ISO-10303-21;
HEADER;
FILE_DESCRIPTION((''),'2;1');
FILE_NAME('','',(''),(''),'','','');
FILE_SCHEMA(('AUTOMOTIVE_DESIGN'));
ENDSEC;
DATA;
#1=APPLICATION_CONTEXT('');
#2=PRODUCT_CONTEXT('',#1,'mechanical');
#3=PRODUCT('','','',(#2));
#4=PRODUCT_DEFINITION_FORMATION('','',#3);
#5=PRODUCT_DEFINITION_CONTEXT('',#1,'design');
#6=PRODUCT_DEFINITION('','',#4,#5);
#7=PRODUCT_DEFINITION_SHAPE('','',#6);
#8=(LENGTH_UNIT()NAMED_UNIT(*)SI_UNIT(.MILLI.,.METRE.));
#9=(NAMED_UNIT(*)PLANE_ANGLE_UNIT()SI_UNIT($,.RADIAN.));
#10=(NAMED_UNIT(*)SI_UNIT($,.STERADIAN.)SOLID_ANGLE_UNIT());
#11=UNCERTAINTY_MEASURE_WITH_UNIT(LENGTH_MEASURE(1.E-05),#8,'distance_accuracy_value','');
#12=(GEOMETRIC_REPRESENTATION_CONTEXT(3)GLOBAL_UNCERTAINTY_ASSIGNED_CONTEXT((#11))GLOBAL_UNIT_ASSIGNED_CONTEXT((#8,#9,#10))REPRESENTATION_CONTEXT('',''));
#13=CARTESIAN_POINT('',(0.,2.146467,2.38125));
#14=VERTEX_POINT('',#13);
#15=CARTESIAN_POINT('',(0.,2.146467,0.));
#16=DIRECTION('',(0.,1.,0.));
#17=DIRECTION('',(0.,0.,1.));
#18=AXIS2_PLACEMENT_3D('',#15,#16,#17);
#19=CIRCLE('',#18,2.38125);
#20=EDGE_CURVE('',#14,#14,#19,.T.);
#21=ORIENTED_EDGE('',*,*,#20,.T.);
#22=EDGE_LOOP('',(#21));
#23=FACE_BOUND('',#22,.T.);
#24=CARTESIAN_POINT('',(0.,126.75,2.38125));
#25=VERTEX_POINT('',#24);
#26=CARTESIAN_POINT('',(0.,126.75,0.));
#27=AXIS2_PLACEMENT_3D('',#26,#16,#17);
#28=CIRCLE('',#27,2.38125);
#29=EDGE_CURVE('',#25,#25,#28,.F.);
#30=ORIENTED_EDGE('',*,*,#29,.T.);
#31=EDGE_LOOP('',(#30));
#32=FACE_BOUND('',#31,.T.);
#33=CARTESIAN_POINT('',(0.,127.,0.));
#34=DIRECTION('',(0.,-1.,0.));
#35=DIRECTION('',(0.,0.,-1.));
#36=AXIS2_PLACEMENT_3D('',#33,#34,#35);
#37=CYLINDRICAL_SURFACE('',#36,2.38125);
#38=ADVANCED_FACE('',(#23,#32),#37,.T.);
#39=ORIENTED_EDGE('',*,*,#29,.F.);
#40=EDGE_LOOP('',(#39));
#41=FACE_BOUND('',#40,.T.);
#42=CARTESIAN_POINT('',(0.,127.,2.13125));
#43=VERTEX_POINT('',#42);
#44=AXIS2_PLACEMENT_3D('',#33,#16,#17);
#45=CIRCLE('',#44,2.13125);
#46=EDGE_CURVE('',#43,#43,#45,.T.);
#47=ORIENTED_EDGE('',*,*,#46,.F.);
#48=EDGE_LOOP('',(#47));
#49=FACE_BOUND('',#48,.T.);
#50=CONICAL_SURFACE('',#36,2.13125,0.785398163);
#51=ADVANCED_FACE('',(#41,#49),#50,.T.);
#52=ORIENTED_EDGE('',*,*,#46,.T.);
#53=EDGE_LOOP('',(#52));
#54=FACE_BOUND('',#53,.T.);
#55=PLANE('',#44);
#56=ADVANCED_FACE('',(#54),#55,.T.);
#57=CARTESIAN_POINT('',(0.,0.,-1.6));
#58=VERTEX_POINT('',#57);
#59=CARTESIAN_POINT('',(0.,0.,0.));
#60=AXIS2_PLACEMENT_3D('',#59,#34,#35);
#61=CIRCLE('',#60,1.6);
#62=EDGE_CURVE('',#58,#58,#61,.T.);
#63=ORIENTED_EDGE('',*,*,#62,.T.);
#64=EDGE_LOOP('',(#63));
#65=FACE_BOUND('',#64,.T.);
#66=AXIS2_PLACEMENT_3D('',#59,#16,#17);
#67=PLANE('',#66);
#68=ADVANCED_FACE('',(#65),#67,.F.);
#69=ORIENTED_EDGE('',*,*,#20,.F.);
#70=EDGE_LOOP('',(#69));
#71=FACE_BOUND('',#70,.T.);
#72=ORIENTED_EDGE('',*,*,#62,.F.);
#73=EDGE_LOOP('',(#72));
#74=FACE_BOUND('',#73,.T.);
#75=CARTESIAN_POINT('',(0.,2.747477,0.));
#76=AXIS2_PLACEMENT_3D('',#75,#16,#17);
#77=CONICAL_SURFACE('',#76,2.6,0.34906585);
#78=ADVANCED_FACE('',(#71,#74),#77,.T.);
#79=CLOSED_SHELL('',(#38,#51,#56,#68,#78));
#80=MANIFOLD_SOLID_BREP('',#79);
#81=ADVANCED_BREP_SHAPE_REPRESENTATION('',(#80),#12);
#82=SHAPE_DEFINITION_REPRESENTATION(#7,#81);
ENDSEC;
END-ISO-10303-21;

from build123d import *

# Parameters (mm, degrees)
SKETCH1_R           = 2.38125
BOSS_EXTRUDE1_DEPTH = 127
CHAMFER1_SIZE       = 0.25


with BuildPart() as part:
    # Sketch1 → Boss-Extrude1 (new body)
    with BuildSketch(Plane(origin=(0, 0, 0), x_dir=(1, 0, 0), z_dir=(0, 1, 0))):
        Circle(SKETCH1_R)
    extrude(amount=BOSS_EXTRUDE1_DEPTH)

    # Chamfer1
    chamfer1_edges = [part.edges().sort_by_distance(p)[0] for p in [
        (-2.38125, 0, 0),
        (-2.38125, 127, 0),
    ]]
    chamfer(chamfer1_edges, length=CHAMFER1_SIZE)

    # Sketch2 → Cut-Revolve1 (revolve, cut)
    with BuildSketch(Plane(origin=(0, 0, 0), x_dir=(0, 0, -1), z_dir=(1, 0, 0))):
        Polygon((1.6, 0), (2.6, 2.747477419), (2.6, 0), align=None)
    revolve(axis=Axis((0, 0, 0), (0, 1, 0)), mode=Mode.SUBTRACT)


solid = part.part
